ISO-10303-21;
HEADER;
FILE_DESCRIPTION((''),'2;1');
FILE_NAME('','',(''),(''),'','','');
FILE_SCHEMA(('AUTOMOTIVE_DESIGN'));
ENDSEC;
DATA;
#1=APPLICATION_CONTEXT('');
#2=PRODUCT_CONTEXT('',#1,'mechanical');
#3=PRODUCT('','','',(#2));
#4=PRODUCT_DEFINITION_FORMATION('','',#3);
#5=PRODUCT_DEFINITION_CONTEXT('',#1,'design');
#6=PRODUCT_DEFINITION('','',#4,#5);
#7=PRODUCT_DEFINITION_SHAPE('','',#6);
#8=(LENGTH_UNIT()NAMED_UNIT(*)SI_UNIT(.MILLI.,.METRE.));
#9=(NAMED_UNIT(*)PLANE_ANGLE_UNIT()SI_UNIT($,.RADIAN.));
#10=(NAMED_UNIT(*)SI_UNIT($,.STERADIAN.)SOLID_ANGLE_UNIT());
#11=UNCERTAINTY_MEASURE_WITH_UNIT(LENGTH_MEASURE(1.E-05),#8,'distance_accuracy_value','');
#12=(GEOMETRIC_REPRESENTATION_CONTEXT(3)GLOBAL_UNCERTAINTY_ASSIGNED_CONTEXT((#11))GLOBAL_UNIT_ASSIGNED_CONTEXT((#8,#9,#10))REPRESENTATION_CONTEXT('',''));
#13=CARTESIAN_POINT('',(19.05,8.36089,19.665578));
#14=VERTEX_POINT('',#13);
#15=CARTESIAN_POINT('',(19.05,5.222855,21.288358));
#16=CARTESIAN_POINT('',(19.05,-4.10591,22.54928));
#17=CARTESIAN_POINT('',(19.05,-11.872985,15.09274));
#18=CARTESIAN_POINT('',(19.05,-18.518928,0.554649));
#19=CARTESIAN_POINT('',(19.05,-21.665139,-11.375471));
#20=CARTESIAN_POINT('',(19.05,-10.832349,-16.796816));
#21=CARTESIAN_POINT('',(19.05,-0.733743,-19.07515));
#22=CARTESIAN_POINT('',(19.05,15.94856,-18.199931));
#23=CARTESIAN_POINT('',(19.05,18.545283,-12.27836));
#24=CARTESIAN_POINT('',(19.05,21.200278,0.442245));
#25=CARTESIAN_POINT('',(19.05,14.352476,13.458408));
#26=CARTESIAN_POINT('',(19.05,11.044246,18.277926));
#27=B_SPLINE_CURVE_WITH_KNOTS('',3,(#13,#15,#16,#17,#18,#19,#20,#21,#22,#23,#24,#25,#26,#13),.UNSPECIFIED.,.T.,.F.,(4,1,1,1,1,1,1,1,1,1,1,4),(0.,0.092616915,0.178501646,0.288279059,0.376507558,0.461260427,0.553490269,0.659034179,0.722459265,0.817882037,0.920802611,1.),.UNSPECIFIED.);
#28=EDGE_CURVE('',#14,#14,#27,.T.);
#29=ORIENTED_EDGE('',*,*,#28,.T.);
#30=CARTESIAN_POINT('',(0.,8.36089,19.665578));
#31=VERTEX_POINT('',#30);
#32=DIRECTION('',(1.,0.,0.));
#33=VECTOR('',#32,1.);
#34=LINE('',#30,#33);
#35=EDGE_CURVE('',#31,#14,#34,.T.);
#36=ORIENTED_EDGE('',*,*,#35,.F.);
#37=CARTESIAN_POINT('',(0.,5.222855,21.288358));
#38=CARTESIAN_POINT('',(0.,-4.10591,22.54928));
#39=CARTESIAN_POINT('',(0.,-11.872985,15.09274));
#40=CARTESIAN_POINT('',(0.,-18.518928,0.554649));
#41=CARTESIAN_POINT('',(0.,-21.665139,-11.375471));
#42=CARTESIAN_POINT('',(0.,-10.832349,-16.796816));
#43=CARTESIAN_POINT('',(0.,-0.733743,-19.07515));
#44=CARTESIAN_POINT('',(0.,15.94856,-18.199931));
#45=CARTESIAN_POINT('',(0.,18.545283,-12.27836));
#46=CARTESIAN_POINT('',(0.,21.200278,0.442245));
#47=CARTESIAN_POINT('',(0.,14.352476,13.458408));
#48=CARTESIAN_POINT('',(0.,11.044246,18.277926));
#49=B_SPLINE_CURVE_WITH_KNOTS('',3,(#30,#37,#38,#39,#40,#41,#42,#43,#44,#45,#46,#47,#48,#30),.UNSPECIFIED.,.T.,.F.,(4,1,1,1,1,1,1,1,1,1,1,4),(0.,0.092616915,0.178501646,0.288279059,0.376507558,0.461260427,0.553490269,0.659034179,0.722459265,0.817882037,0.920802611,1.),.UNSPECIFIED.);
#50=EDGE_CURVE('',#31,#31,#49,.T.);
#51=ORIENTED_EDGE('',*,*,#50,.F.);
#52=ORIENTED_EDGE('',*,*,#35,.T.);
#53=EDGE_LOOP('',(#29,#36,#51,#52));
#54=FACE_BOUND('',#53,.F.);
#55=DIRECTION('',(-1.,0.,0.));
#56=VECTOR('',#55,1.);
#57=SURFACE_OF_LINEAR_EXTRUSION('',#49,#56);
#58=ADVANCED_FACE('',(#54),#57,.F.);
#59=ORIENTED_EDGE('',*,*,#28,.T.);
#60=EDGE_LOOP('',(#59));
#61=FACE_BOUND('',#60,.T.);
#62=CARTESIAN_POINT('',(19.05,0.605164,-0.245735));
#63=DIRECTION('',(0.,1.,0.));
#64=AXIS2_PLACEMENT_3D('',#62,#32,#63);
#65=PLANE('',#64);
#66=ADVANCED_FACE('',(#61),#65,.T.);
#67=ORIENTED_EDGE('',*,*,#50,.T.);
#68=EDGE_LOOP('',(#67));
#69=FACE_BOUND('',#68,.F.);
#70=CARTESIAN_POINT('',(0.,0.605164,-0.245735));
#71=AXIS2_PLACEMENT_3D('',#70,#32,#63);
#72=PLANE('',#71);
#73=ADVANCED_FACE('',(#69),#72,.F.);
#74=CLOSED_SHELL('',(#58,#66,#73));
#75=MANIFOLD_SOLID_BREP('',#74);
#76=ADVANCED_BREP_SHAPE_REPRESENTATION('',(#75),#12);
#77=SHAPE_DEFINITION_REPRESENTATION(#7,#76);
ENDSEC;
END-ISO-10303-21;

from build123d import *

# Parameters (mm, degrees)
F1_DEPTH = 19.05


with BuildPart() as f1:
    # F0 (on Right) → F1 (new body)
    with BuildSketch(Plane.YZ):
        with BuildLine():
            add(Edge.make_bspline(
                [(8.3608897309, 19.6655775183), (5.2228551537, 21.288358083), (-4.1059101674, 22.5492798834), (-11.8729853819, 15.0927399769), (-18.5189275991, 0.5546490962), (-21.6651385516, -11.3754714569), (-10.8323494438, -16.7968160107), (-0.7337426114, -19.0751502065), (15.9485597711, -18.1999308527), (18.5452829821, -12.278360008), (21.2002780322, 0.4422451844), (14.3524758341, 13.4584082973), (11.0442456301, 18.2779262052), (8.3608897309, 19.6655775183)],
                knots=[0, 0, 0, 0, 0.0926169147, 0.1785016458, 0.2882790587, 0.3765075576, 0.4612604273, 0.5534902688, 0.6590341787, 0.7224592654, 0.8178820373, 0.9208026112, 1, 1, 1, 1], degree=3))
        make_face()
    extrude(amount=F1_DEPTH)


solid = f1.part
